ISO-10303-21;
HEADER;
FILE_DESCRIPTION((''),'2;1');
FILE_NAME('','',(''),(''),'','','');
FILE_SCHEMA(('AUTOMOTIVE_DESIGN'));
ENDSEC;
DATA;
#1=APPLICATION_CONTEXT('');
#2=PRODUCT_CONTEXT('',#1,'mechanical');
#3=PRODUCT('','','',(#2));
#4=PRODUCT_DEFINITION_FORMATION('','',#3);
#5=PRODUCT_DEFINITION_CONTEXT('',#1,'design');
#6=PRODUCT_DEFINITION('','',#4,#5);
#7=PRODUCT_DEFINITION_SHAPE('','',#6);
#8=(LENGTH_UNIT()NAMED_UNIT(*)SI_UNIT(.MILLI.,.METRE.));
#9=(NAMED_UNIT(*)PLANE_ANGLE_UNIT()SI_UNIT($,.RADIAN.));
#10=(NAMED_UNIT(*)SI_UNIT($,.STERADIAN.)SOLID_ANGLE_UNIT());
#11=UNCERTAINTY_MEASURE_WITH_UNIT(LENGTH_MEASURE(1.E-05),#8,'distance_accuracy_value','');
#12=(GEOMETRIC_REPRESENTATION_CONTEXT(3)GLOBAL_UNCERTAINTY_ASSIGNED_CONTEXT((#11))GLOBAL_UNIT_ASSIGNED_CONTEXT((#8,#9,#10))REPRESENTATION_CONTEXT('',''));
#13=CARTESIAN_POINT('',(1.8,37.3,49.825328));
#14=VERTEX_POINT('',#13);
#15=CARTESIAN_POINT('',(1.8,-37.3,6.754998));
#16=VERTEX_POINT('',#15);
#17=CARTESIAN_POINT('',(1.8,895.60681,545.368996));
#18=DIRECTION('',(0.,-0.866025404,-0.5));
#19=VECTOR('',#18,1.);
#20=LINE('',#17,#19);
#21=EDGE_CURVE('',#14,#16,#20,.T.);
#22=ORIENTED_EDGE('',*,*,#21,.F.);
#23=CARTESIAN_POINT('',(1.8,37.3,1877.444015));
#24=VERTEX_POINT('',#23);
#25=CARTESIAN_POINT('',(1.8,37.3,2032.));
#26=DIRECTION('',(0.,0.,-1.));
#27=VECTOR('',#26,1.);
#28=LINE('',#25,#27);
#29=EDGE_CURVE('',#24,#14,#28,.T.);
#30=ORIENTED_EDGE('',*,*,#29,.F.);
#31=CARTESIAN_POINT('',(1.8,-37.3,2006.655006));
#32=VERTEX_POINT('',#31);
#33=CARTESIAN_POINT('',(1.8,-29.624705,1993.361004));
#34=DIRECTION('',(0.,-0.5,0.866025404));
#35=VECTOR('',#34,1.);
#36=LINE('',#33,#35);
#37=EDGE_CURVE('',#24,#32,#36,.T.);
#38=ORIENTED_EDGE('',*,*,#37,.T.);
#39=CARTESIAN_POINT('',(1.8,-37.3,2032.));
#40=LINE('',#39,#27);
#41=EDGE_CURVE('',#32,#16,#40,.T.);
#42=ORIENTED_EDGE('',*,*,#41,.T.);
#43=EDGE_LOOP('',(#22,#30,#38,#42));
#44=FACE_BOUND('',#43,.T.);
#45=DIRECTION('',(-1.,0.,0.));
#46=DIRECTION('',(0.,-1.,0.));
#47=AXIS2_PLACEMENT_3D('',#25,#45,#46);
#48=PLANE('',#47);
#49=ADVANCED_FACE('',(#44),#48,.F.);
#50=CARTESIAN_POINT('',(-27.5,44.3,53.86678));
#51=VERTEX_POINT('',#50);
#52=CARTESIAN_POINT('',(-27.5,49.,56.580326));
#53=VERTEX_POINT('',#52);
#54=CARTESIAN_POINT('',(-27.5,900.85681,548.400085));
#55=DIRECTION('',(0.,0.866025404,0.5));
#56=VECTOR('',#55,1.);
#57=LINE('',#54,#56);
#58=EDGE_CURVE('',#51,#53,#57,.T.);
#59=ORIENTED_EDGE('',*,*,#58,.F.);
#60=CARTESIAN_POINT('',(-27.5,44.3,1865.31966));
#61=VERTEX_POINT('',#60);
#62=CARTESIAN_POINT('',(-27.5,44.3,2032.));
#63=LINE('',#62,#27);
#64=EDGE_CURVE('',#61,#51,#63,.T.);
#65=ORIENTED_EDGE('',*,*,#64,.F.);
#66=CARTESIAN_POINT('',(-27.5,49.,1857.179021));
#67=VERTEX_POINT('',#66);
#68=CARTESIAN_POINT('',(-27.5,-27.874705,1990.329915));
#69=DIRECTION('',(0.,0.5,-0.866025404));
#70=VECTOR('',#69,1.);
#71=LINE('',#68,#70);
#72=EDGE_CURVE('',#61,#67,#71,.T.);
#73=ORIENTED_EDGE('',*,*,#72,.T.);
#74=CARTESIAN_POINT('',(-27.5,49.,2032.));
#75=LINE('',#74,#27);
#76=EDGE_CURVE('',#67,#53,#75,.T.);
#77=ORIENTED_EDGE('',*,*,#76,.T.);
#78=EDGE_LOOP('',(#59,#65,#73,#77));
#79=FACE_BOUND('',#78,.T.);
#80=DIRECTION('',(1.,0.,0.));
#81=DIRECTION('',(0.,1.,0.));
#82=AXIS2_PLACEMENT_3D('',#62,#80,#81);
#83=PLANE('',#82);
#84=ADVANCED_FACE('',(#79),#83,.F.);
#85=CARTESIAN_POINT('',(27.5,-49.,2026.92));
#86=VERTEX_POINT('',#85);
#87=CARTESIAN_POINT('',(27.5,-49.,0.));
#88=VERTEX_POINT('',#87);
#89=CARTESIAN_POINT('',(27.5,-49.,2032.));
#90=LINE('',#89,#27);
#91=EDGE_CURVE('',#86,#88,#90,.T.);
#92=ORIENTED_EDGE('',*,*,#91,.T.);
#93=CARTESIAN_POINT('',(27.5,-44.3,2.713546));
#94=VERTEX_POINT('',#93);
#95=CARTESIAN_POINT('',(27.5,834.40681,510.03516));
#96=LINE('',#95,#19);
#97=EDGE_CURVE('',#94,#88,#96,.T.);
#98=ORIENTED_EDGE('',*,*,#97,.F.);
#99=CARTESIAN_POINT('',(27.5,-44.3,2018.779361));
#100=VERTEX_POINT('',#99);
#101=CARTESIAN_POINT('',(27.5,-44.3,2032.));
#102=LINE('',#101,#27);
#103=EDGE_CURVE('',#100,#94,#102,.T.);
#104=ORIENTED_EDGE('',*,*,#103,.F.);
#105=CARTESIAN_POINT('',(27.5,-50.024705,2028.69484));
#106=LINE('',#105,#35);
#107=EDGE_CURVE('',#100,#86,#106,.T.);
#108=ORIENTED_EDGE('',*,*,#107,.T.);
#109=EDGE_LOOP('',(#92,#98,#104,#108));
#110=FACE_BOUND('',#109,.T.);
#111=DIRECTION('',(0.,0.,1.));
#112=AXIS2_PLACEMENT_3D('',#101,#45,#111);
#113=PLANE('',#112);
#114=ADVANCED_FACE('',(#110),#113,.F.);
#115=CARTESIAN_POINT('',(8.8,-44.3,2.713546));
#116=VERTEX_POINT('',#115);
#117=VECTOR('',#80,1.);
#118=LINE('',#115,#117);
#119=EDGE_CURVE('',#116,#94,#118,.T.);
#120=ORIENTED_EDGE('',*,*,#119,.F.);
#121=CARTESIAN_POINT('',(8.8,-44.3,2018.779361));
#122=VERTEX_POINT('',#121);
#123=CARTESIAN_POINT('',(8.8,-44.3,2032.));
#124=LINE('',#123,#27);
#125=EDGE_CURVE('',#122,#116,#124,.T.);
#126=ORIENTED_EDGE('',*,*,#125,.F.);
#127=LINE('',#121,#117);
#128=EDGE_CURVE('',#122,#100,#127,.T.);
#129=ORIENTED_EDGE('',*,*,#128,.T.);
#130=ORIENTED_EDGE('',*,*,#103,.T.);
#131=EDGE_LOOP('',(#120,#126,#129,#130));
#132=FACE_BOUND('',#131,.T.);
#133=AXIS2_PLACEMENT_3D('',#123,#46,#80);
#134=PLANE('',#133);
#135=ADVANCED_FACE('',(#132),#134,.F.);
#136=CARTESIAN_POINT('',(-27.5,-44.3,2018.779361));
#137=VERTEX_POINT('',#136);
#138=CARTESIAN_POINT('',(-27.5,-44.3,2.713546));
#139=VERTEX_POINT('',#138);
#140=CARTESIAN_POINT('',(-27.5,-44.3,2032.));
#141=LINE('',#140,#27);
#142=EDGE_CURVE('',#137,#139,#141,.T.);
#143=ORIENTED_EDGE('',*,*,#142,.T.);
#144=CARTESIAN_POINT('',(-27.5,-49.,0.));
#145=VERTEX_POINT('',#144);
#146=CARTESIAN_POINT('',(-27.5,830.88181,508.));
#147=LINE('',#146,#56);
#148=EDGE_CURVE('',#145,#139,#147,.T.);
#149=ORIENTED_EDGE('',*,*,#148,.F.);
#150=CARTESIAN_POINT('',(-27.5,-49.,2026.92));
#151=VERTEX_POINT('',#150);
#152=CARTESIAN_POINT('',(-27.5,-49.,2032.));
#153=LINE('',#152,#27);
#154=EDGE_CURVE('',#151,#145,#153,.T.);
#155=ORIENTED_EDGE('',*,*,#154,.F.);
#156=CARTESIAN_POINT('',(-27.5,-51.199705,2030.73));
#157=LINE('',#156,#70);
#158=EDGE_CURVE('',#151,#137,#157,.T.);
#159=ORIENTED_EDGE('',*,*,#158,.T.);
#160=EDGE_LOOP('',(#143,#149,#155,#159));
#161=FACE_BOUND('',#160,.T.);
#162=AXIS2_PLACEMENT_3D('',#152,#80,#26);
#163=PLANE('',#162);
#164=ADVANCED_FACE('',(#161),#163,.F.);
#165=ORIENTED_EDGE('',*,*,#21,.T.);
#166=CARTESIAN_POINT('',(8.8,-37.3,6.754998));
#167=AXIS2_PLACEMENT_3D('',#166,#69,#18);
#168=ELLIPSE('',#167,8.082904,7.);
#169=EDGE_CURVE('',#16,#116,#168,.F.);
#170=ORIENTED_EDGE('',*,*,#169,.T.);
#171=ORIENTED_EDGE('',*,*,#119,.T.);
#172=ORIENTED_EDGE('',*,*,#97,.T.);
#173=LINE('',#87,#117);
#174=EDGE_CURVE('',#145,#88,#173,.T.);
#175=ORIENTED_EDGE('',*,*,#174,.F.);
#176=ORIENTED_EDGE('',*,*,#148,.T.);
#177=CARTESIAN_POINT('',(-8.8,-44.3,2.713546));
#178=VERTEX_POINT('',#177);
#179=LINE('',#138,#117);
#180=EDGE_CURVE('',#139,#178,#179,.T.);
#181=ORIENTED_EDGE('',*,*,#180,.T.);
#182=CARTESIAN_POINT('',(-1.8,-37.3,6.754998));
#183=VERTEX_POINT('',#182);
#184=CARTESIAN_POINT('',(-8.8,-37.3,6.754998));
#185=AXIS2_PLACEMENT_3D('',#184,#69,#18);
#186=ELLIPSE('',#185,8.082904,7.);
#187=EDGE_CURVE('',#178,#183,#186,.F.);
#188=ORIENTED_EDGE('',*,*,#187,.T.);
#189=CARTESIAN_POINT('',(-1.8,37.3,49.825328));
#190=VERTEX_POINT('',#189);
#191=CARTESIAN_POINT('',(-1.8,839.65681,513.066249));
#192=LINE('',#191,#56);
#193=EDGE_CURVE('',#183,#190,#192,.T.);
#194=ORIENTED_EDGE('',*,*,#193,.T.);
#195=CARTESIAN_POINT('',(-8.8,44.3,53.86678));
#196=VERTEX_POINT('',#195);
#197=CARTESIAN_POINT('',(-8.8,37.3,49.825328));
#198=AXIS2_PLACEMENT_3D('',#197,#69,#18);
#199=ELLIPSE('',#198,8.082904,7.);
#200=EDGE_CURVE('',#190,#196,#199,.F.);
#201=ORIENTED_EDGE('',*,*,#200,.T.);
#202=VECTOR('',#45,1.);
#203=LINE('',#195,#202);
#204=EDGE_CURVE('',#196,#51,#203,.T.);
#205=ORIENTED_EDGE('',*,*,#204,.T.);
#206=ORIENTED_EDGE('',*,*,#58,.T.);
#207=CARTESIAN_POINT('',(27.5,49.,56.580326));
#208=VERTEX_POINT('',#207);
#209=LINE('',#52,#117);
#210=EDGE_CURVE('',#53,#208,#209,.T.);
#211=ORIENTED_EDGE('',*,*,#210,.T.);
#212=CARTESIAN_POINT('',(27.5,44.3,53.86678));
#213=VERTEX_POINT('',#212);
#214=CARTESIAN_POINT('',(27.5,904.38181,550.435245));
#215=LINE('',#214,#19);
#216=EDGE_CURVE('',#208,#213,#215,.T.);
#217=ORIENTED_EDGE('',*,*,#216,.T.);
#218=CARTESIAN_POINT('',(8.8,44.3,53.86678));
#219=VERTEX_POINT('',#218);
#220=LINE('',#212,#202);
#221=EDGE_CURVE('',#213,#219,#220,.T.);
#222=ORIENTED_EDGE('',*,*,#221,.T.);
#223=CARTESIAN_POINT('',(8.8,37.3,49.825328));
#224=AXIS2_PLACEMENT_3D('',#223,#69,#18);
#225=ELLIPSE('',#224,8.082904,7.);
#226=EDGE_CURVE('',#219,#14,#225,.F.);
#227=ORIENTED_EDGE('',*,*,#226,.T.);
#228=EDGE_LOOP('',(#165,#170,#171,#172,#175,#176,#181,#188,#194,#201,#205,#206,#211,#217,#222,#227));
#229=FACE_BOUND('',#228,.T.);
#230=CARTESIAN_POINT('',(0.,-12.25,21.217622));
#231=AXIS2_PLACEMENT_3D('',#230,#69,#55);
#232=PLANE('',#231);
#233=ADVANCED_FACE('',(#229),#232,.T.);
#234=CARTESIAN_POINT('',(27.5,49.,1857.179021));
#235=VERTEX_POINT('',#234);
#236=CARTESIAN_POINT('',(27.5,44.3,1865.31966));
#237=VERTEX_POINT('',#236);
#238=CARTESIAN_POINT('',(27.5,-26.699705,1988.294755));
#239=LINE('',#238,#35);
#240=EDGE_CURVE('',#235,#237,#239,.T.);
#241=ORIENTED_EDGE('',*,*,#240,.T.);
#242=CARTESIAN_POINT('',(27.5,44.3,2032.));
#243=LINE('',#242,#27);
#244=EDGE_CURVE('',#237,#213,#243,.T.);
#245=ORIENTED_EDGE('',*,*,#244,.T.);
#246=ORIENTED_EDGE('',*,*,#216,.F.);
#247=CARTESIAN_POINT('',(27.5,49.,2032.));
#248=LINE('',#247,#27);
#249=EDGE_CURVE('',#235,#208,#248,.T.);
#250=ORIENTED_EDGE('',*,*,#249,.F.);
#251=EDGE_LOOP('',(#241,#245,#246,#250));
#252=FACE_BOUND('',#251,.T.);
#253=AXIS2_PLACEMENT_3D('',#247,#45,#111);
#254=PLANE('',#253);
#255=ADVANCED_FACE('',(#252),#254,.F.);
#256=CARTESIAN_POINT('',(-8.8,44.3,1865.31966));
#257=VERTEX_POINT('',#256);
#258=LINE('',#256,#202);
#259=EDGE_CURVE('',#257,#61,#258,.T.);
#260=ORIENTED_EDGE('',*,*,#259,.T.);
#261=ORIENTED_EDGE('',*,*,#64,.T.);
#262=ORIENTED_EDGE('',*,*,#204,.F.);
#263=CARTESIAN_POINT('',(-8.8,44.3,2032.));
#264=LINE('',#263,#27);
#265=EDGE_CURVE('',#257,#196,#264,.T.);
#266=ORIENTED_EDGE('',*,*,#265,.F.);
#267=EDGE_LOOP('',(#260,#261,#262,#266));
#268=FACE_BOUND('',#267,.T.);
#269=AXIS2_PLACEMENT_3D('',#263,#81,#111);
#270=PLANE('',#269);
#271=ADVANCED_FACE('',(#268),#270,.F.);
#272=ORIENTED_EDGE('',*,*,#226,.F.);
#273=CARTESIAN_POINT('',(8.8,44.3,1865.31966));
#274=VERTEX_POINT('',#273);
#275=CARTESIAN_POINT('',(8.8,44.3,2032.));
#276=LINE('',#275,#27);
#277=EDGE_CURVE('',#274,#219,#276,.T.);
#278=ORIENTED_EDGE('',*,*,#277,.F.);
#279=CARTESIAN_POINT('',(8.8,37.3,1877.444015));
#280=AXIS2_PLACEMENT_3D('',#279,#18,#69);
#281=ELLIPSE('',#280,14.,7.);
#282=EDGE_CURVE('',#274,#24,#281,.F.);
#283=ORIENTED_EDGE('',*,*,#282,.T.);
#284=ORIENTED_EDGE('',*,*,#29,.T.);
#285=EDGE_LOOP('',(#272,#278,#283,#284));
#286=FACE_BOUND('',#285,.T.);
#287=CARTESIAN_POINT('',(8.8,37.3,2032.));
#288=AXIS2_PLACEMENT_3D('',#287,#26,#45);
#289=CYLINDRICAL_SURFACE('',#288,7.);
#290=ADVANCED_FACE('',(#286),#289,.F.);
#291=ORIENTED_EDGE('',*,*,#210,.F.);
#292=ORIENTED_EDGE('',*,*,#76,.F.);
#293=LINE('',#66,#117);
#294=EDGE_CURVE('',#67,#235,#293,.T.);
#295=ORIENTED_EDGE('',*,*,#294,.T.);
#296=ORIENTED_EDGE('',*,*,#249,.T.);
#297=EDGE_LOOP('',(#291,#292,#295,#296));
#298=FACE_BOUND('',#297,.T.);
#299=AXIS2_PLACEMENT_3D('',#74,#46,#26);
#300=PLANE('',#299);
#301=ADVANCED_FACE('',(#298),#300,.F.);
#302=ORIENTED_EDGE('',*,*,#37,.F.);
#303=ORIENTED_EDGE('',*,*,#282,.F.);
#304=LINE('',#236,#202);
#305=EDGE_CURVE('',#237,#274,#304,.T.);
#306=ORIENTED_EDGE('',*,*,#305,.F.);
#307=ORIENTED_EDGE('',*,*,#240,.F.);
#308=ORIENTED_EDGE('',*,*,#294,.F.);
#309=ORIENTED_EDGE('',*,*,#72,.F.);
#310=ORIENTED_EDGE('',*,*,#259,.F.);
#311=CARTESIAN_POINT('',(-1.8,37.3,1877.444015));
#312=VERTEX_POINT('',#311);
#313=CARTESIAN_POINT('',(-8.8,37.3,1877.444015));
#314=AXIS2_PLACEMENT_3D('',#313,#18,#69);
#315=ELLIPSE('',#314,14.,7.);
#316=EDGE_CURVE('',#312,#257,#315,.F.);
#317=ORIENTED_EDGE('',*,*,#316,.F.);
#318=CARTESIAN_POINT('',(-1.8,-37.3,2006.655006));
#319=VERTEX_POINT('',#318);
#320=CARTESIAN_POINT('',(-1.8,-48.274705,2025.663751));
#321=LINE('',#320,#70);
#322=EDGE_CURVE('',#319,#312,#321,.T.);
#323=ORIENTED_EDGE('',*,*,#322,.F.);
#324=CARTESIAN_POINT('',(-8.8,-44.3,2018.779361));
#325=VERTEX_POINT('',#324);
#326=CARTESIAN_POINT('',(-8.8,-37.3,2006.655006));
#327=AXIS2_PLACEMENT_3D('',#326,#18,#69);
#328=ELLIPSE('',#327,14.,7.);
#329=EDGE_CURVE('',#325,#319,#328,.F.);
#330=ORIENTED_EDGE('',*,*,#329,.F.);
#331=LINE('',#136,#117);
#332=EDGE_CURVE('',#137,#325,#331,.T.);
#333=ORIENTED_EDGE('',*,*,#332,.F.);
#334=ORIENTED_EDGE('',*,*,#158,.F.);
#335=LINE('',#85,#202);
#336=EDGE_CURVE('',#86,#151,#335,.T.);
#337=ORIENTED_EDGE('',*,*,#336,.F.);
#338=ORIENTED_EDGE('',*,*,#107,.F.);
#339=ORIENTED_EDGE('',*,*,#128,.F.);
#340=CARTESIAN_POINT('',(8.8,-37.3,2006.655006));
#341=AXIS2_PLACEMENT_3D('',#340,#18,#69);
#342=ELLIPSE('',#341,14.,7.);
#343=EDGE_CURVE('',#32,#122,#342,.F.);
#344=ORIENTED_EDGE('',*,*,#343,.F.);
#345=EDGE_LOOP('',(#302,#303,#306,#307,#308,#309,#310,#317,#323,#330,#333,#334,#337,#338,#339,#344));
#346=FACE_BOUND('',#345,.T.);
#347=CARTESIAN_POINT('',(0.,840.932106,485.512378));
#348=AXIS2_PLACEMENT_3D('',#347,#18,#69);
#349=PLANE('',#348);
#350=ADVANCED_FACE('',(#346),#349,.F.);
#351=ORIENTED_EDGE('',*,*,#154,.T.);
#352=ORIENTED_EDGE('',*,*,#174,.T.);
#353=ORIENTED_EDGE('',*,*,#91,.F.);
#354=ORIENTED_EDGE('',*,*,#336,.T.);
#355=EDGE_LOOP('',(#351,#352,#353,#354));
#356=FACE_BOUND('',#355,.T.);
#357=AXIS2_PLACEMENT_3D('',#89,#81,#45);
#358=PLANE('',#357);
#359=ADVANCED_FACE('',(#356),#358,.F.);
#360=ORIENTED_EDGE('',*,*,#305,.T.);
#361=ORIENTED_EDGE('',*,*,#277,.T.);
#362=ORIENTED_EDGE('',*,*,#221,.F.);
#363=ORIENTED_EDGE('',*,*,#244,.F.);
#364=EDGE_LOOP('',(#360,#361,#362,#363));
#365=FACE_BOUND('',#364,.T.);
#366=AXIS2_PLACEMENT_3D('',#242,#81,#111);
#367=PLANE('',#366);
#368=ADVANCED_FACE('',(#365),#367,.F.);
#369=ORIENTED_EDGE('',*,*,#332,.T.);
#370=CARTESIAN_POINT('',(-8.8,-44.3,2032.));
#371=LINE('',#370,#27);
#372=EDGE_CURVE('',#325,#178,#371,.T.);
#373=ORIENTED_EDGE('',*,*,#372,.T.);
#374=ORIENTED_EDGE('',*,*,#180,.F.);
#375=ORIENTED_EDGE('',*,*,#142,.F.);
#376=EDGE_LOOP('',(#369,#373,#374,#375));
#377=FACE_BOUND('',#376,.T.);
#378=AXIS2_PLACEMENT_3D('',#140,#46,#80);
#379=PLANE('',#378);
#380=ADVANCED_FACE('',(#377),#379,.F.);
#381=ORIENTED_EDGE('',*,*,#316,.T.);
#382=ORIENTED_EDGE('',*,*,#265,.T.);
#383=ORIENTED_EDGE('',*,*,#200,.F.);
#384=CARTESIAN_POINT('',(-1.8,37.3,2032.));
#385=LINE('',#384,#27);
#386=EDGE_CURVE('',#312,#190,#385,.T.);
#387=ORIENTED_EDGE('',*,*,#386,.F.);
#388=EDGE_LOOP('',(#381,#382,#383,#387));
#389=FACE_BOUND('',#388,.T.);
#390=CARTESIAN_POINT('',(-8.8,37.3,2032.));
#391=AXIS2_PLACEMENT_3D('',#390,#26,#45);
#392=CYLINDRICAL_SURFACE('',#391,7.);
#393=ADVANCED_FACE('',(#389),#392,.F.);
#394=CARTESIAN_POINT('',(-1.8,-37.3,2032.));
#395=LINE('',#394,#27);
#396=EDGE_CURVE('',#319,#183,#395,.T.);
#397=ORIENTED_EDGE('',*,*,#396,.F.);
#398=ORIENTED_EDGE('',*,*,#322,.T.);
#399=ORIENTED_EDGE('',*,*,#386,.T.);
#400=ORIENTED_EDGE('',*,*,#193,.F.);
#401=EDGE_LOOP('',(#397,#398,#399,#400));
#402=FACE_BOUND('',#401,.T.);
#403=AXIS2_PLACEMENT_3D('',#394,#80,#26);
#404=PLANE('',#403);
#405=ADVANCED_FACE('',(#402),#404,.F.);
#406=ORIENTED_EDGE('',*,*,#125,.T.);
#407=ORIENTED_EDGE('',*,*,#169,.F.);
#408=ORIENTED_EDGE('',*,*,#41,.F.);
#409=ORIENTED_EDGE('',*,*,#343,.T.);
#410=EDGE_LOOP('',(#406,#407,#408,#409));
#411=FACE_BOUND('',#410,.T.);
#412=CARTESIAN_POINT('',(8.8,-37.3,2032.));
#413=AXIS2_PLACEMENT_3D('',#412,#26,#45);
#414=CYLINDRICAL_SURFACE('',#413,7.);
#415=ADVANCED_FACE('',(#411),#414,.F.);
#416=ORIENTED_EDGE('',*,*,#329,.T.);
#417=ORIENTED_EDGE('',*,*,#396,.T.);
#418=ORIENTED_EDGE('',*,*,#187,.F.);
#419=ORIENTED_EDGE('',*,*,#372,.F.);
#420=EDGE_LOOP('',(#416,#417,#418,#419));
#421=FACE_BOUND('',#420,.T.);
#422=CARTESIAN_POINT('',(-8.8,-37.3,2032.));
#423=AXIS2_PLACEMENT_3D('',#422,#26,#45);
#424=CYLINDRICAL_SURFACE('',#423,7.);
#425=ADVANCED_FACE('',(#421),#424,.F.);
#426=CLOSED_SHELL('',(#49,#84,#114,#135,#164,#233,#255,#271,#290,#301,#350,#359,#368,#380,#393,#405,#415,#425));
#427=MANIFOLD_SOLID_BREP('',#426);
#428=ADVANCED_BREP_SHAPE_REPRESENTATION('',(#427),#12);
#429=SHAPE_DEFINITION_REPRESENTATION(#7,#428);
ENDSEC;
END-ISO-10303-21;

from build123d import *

# Parameters (mm, degrees)
BOSS_EXTRUDE1_DEPTH     = 2032
SKETCH2_W               = 211.702458594
SKETCH2_H               = 483.586926944
CUT_EXTRUDE1_DEPTH      = 50
SKETCH3_W               = 200.611820878
SKETCH3_H               = 857.421683483
CUT_EXTRUDE3_DEPTH      = 85.870489571
CUT_EXTRUDE3_DEPTH_BACK = 2.54


with BuildPart() as part:
    # Sketch1 → Boss-Extrude1 (new body)
    with BuildSketch(Plane.XY):
        with BuildLine():
            Line((-27.5, 49), (27.5, 49))
            Line((27.5, 49), (27.5, 44.3))
            Line((27.5, 44.3), (8.8, 44.3))
            ThreePointArc((8.8, 44.3), (3.850252532, 42.249747468), (1.8, 37.3))
            Line((1.8, 37.3), (1.8, -37.3))
            ThreePointArc((1.8, -37.3), (3.850252532, -42.249747468), (8.8, -44.3))
            Line((8.8, -44.3), (27.5, -44.3))
            Line((27.5, -44.3), (27.5, -49))
            Line((27.5, -49), (-27.5, -49))
            Line((-27.5, -49), (-27.5, -44.3))
            Line((-27.5, -44.3), (-8.8, -44.3))
            ThreePointArc((-8.8, -44.3), (-3.850252532, -42.249747468), (-1.8, -37.3))
            Line((-1.8, -37.3), (-1.8, 37.3))
            ThreePointArc((-1.8, 37.3), (-3.850252532, 42.249747468), (-8.8, 44.3))
            Line((-8.8, 44.3), (-27.5, 44.3))
            Line((-27.5, 44.3), (-27.5, 49))
        make_face()
    extrude(amount=BOSS_EXTRUDE1_DEPTH)

    # Sketch2 → Cut-Extrude1 (cut, through all)
    with BuildSketch(Plane(origin=(0, -12.25, 21.217622393), x_dir=(1, 0, 0), z_dir=(0, -0.5, 0.866025404))):
        with Locations((0, 13.030857736)):
            Rectangle(SKETCH2_W, SKETCH2_H)
    extrude(amount=-CUT_EXTRUDE1_DEPTH, mode=Mode.SUBTRACT)

    # Sketch3 → Cut-Extrude3 (cut, two sides)
    with BuildSketch(Plane(origin=(0, 843.131810245, 486.782377607), x_dir=(1, 0, 0), z_dir=(0, 0.866025404, 0.5))) as cut_extrude3_sk:
        with Locations((6.979656851, -1512.870182956)):
            Rectangle(SKETCH3_W, SKETCH3_H)
    extrude(amount=CUT_EXTRUDE3_DEPTH, mode=Mode.SUBTRACT)
    extrude(cut_extrude3_sk.sketch, amount=-CUT_EXTRUDE3_DEPTH_BACK, mode=Mode.SUBTRACT)


solid = part.part
